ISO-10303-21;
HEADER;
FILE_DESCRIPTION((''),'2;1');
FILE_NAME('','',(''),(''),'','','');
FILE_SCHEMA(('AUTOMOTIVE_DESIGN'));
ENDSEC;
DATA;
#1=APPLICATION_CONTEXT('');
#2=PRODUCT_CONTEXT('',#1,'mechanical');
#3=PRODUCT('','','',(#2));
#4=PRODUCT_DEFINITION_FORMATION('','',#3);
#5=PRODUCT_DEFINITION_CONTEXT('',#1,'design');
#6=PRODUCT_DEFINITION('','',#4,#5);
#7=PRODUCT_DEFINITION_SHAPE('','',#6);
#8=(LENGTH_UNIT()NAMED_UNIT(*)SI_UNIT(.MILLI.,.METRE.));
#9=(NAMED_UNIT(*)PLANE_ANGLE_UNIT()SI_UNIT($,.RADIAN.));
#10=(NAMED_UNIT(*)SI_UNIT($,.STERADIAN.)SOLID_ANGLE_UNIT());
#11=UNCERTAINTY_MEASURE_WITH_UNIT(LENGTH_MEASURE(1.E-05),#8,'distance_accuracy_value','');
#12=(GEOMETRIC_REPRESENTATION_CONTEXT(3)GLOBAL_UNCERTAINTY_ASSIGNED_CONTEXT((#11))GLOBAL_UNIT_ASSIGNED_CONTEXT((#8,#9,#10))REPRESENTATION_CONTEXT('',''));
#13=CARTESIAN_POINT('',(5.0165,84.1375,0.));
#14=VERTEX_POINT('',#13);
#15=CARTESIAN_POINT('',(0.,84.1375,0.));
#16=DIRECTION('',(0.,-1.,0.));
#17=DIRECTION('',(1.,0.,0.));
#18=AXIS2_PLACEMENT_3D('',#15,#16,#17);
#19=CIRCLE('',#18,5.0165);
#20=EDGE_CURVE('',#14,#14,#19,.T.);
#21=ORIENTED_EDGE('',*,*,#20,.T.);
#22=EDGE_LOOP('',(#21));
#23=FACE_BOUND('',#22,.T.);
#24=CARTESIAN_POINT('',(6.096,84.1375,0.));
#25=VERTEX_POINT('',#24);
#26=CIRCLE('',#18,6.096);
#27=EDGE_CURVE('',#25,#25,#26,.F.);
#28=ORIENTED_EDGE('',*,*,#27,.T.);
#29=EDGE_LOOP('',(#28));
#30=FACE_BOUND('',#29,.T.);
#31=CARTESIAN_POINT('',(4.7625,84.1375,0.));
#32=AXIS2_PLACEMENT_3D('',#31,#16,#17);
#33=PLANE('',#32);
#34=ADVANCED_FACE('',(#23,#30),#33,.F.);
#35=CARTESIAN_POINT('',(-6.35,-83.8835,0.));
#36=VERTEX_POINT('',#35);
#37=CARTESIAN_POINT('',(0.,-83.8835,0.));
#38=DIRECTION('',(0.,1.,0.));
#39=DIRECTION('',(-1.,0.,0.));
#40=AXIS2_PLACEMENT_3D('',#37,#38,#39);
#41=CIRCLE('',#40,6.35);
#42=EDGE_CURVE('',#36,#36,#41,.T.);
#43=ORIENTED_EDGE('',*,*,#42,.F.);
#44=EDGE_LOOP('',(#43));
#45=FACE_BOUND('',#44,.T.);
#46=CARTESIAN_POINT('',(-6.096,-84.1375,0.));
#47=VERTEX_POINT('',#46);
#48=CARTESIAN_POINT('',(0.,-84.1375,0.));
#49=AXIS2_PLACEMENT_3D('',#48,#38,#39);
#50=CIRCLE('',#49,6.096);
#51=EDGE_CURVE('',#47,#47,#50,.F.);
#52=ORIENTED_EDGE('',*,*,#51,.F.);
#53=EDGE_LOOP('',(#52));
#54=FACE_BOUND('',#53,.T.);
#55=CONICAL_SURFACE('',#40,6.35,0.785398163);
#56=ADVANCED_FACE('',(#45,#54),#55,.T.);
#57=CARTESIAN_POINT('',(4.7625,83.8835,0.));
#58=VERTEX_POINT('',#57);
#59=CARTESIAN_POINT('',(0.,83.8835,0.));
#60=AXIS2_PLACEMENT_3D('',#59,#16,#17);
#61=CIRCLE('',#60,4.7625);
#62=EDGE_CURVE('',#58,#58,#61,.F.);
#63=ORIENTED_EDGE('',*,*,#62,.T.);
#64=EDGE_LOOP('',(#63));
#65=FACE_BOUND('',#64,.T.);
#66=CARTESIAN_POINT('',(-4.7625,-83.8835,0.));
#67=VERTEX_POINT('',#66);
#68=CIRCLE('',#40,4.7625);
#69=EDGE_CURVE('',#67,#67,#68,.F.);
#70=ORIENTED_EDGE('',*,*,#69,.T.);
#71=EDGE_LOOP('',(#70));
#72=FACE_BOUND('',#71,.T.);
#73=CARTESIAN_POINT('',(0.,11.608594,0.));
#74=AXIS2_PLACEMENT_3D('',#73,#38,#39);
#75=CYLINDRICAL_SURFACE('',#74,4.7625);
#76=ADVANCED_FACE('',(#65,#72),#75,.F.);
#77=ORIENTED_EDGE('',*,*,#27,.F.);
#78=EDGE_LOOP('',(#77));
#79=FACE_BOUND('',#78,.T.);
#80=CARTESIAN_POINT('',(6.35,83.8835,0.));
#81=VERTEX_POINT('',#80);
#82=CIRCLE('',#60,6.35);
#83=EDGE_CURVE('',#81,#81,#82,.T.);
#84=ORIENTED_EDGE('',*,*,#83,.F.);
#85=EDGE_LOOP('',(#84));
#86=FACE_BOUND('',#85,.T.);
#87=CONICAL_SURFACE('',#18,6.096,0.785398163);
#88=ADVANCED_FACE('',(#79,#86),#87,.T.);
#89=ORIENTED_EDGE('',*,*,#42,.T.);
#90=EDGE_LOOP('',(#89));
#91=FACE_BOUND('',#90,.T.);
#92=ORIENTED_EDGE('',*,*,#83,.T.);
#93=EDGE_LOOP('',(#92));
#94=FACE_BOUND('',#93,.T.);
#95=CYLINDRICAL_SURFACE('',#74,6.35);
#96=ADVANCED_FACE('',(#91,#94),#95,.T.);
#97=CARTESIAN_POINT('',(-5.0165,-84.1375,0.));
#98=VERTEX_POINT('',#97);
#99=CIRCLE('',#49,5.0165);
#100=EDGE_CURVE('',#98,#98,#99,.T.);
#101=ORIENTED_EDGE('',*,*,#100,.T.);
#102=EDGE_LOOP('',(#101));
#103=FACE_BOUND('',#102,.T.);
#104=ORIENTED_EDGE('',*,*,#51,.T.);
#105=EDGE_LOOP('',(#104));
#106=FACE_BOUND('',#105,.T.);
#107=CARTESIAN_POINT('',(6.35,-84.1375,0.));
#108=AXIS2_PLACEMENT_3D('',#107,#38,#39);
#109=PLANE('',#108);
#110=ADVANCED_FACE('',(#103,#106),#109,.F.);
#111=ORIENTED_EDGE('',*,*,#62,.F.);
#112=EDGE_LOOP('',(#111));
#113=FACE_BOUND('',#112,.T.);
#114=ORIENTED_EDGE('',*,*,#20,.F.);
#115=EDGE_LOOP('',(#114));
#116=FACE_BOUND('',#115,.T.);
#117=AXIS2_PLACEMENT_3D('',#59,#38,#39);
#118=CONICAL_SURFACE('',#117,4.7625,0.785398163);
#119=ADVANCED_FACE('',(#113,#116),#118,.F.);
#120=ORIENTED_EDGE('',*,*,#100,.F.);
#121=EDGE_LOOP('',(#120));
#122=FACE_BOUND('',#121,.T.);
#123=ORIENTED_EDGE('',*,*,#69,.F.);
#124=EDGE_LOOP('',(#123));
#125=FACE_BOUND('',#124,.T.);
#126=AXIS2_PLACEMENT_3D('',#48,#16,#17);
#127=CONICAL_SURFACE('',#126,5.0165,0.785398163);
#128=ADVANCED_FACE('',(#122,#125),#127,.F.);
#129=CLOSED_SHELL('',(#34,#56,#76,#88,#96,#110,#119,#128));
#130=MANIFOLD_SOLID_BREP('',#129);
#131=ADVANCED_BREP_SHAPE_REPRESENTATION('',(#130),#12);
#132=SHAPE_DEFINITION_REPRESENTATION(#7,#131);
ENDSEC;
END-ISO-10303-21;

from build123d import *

# Parameters (mm, degrees)
SKETCH1_W     = 1.5875
SKETCH1_H     = 168.275
CHAMFER1_SIZE = 0.254


with BuildPart() as part:
    # Sketch1 → Revolve1 (revolve)
    with BuildSketch(Plane.XY):
        with Locations((5.55625, 0)):
            Rectangle(SKETCH1_W, SKETCH1_H)
    revolve(axis=Axis((0, 11.60859375, 0), (0, -1, 0)))

    # Chamfer1
    chamfer1_edges = [part.edges().sort_by_distance(p)[0] for p in [
        (-4.7625, -84.1375, 0),
        (-6.35, -84.1375, 0),
        (-6.35, 84.1375, 0),
        (-4.7625, 84.1375, 0),
    ]]
    chamfer(chamfer1_edges, length=CHAMFER1_SIZE)


solid = part.part
